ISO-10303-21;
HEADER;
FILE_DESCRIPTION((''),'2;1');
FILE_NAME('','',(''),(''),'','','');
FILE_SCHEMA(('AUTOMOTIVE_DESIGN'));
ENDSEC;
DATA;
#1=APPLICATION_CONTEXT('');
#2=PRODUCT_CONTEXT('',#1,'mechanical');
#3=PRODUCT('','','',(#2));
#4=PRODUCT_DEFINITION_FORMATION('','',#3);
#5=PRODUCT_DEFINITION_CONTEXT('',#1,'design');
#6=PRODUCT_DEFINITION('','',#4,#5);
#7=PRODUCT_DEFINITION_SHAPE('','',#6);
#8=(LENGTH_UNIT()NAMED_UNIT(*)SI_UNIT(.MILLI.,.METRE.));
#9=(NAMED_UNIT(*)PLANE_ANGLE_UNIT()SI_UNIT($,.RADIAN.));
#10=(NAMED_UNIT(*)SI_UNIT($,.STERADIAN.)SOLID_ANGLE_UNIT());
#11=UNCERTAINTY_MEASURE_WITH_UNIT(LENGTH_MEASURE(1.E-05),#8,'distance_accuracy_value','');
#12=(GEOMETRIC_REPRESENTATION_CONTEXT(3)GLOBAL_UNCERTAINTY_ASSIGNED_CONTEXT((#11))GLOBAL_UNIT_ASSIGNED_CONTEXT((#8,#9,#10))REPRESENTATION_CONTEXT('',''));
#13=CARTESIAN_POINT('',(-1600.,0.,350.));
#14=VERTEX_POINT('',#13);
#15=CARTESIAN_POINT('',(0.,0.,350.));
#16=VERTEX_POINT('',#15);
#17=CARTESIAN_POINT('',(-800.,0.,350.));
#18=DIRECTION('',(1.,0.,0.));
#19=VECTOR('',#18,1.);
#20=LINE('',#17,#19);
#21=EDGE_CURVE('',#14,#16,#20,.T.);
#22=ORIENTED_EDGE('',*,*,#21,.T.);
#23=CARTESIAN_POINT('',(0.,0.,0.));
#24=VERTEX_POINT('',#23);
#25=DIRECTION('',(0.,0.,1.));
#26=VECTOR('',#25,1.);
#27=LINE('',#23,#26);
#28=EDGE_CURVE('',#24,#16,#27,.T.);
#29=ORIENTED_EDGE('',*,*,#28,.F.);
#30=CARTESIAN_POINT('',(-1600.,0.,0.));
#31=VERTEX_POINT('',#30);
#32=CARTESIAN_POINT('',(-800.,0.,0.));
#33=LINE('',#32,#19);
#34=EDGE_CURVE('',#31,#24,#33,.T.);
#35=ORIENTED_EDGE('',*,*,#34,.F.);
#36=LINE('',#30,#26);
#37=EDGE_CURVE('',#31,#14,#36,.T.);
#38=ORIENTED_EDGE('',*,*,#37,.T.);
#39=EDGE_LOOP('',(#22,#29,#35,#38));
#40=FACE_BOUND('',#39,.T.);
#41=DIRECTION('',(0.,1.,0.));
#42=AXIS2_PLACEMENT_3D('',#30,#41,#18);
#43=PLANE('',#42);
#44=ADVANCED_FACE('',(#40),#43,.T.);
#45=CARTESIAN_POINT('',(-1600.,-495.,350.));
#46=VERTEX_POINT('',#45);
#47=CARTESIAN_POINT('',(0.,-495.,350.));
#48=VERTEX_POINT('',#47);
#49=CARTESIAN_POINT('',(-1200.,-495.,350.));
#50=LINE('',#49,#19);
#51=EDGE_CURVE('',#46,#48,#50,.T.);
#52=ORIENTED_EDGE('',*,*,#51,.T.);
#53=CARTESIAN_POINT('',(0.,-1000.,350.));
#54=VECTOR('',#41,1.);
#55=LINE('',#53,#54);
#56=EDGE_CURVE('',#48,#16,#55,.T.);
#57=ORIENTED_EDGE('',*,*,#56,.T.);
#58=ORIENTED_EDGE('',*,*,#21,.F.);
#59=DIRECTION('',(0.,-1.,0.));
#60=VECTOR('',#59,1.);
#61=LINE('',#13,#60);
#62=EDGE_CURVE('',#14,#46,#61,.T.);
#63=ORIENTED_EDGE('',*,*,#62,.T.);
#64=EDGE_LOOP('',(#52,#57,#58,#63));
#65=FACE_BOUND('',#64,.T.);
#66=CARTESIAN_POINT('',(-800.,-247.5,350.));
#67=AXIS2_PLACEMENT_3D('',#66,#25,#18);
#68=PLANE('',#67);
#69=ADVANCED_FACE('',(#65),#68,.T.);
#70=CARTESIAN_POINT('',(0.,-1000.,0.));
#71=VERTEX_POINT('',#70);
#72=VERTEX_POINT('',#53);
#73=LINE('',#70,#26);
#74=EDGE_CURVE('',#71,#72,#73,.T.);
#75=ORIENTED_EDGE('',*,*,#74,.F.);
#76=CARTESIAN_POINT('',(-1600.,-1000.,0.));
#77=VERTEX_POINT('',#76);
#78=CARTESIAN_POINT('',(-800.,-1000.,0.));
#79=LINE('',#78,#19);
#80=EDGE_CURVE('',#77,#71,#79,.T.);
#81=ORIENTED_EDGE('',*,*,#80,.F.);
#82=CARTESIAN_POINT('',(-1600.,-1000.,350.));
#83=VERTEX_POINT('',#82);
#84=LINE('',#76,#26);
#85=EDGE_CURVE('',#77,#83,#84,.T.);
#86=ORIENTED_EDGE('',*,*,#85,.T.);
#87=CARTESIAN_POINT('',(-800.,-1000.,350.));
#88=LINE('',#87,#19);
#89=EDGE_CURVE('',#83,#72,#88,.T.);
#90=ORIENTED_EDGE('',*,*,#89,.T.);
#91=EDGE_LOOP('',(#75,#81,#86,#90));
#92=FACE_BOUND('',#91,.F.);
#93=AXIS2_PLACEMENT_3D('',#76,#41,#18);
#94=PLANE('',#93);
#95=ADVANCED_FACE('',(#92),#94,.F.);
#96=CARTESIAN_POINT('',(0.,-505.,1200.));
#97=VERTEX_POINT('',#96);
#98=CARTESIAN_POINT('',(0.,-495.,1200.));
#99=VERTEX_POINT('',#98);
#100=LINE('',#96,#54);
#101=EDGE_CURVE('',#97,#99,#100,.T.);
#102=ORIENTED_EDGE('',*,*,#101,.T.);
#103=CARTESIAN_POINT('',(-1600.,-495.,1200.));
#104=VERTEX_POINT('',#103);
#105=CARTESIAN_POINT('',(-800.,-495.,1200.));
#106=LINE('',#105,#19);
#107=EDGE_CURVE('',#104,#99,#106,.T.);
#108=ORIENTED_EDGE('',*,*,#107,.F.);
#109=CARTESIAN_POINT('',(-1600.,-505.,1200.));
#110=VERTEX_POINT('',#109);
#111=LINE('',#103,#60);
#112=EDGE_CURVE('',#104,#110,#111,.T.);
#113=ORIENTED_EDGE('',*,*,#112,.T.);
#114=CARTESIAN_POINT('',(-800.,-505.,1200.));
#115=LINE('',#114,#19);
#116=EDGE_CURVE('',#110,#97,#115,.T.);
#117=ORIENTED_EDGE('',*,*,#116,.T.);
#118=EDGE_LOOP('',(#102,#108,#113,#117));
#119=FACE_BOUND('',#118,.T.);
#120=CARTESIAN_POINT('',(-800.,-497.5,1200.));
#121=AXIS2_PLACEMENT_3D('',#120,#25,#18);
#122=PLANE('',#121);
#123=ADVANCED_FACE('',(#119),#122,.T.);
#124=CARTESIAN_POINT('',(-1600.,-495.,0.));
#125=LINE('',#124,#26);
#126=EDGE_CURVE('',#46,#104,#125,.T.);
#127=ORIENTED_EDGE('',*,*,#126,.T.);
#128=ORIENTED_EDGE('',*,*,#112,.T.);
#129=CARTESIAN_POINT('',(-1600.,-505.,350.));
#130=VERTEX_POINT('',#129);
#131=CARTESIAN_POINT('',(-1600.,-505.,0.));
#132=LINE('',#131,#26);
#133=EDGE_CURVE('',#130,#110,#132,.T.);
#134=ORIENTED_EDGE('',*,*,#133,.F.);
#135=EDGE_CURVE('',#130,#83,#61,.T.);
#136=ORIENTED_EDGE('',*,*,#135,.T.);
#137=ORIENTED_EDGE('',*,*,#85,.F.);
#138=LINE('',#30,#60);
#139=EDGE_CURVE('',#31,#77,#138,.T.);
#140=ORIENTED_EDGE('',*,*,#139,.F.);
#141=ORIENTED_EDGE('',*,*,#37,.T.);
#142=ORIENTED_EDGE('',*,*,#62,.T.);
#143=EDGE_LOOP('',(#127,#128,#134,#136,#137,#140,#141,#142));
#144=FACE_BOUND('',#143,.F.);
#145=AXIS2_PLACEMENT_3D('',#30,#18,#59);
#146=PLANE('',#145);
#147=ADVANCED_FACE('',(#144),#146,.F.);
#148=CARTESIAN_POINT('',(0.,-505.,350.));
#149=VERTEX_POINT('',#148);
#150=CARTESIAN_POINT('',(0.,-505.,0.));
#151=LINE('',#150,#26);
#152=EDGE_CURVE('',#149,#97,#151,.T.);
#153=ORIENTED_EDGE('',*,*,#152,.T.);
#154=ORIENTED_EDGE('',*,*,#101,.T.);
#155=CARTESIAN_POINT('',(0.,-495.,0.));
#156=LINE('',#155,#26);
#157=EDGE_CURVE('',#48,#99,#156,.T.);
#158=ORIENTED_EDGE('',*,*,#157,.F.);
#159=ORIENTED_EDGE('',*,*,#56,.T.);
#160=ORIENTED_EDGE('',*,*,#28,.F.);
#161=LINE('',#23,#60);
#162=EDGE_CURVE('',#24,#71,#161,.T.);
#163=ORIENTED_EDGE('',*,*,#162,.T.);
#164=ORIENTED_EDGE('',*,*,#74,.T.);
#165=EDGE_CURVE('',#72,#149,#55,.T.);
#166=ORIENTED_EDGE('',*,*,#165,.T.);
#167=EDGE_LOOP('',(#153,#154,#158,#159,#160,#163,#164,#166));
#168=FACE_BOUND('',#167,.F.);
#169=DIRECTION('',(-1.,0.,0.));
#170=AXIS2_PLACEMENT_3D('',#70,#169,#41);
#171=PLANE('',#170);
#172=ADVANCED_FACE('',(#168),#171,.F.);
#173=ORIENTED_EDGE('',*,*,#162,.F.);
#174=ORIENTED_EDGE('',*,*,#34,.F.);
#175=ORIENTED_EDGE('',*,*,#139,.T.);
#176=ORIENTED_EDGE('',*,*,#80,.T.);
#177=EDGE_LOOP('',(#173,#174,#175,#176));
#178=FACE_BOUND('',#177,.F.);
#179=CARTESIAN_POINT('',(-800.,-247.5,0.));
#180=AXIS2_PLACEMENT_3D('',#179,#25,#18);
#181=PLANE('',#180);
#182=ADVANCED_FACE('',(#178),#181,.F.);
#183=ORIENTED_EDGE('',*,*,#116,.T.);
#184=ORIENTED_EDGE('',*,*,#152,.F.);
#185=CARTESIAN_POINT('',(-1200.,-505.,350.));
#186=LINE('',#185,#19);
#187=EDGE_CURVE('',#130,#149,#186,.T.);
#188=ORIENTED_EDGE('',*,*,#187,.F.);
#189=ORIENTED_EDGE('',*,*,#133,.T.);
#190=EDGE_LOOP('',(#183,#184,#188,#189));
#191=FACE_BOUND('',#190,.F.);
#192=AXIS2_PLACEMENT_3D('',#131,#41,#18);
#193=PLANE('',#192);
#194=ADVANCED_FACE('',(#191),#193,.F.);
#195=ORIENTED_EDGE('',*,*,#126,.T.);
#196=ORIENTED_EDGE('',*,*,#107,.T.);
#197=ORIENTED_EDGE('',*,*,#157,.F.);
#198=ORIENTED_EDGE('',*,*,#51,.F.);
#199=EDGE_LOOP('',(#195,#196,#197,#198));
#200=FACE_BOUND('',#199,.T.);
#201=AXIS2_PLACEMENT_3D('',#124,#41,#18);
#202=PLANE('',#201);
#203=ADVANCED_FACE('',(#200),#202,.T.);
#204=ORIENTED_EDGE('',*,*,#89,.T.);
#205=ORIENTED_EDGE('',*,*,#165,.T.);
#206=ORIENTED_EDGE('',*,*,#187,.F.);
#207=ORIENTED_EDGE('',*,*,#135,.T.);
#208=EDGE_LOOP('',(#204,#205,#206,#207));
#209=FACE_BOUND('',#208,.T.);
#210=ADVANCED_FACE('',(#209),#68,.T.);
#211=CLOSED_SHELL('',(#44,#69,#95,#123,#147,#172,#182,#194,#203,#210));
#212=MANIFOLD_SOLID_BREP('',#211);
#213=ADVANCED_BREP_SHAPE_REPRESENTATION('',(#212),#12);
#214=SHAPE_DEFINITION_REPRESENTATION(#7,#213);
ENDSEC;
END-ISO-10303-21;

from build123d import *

# Parameters (mm, degrees)
F0_W     = 1600
F0_H     = 5
F1_DEPTH = 1200
F0_H_2   = 495
F2_DEPTH = 350


with BuildPart() as f1:
    # F0 (on Top) → F1 (new body)
    with BuildSketch(Plane.XY):
        with Locations((-800, -497.5)):
            Rectangle(F0_W, F0_H)
        with Locations((-800, -502.5)):
            Rectangle(F0_W, F0_H)
    extrude(amount=F1_DEPTH)

    # F0 (on Top) → F2 (join)
    with BuildSketch(Plane.XY):
        with Locations((-800, -247.5)):
            Rectangle(F0_W, F0_H_2)
        with Locations((-800, -497.5)):
            Rectangle(F0_W, F0_H)
        with Locations((-800, -502.5)):
            Rectangle(F0_W, F0_H)
        with Locations((-800, -752.5)):
            Rectangle(F0_W, F0_H_2)
    extrude(amount=F2_DEPTH)


solid = f1.part
